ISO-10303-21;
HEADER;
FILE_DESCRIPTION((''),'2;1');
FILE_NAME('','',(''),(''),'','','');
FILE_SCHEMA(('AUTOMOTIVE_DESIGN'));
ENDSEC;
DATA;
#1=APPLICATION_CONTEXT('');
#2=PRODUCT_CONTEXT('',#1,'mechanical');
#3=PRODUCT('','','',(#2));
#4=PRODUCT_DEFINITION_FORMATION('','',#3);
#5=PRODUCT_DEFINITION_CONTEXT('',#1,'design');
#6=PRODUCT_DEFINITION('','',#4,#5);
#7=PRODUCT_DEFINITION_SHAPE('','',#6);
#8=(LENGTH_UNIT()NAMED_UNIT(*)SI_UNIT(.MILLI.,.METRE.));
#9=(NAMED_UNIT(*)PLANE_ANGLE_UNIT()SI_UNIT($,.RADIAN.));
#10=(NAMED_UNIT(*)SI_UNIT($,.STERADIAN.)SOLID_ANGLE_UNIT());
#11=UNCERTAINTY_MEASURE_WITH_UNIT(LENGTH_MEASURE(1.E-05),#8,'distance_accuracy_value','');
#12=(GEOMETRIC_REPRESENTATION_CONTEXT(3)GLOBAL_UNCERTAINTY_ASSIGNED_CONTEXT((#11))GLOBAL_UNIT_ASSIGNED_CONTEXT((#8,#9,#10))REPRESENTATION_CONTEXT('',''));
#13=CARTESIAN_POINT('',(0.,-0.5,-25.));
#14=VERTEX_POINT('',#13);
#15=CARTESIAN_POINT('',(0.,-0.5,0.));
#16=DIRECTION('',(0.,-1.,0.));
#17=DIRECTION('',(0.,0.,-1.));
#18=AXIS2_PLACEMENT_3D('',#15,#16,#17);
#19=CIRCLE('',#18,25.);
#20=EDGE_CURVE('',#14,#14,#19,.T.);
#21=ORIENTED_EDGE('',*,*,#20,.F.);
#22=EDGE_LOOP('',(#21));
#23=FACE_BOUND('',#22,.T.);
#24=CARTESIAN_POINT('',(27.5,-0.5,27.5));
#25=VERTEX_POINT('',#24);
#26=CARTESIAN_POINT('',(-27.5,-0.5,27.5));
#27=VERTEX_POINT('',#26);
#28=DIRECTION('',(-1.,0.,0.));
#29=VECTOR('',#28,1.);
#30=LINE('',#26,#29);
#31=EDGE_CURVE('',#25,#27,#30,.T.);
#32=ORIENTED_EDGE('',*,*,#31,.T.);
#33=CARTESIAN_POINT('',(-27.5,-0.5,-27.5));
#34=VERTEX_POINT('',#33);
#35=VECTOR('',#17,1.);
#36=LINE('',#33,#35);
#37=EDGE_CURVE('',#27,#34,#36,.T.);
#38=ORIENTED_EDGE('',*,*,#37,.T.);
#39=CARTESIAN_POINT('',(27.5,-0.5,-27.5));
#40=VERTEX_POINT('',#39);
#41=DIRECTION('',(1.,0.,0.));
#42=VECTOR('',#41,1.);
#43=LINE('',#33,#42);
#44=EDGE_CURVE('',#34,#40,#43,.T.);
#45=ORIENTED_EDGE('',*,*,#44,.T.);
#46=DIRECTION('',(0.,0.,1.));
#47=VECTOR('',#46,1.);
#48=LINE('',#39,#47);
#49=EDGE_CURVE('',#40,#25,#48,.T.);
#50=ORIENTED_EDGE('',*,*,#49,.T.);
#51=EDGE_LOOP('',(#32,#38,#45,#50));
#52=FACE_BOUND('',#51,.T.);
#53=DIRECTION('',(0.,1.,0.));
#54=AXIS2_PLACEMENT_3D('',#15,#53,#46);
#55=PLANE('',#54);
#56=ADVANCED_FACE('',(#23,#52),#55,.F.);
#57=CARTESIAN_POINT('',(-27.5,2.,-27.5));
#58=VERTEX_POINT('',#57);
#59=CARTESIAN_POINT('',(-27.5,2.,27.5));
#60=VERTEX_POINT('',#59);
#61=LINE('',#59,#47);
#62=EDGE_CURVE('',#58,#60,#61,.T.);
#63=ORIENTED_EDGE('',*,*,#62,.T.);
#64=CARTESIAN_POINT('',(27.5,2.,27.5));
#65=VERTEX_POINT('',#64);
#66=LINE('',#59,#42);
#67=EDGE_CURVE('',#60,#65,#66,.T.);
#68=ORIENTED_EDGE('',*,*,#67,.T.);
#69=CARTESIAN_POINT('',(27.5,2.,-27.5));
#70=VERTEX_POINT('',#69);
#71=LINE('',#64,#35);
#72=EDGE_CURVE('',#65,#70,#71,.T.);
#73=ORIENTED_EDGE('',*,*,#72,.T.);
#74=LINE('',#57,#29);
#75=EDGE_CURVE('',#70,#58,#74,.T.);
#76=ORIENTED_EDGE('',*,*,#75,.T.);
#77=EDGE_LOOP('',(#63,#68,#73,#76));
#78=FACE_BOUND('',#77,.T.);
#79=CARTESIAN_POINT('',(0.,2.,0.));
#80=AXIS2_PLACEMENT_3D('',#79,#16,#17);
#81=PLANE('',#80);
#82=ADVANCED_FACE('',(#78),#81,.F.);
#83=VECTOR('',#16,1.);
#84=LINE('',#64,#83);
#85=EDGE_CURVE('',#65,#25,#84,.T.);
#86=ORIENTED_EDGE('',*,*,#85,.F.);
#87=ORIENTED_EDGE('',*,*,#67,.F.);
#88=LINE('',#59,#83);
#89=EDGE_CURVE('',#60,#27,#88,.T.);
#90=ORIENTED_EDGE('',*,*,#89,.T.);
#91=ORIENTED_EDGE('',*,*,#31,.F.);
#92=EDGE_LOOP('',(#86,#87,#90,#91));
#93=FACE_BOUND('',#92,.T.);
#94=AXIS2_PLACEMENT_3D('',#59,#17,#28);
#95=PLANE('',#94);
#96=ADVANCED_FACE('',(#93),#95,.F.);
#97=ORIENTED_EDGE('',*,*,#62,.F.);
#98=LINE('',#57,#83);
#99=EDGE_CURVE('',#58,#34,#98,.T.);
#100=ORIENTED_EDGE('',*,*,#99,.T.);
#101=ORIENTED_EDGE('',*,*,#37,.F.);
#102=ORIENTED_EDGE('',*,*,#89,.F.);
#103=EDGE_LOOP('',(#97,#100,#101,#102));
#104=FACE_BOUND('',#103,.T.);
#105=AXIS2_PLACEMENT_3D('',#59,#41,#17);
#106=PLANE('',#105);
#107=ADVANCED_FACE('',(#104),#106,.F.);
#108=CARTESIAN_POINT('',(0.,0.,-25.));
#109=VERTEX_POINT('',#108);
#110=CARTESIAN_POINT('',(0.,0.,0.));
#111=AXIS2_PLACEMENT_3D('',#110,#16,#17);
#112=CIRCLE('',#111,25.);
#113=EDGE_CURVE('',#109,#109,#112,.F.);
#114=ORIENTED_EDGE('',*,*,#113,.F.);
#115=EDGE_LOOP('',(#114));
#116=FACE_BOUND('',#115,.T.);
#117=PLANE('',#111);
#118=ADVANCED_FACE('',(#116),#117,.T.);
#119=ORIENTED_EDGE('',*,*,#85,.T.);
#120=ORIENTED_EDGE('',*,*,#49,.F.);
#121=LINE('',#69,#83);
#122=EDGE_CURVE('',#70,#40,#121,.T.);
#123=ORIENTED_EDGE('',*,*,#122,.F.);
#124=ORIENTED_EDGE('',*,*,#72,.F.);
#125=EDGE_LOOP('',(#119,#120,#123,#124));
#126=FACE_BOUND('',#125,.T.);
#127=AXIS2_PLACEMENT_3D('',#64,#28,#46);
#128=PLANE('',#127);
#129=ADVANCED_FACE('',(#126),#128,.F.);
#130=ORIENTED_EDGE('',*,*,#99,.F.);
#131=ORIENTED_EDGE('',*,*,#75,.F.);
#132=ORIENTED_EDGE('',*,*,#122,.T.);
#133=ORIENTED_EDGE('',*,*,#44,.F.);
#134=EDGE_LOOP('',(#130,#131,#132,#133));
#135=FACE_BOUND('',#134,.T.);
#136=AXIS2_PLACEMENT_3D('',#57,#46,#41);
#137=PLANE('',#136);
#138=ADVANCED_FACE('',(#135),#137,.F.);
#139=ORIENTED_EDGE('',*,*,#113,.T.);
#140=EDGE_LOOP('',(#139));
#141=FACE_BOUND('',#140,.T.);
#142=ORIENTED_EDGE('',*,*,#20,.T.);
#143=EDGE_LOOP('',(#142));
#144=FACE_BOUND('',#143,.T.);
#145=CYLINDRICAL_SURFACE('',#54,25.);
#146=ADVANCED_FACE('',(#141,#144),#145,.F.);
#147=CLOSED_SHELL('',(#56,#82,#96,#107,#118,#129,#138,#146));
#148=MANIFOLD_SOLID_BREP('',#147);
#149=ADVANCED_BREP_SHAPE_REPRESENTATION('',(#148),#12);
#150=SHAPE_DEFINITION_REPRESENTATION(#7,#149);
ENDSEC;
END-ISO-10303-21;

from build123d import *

# Parameters (mm, degrees)
ESBO_O1_W                = 55
ESBO_O1_H                = 55
RESSALTO_EXTRUS_O1_DEPTH = 2
ESBO_O3_W                = 55
ESBO_O3_H                = 55
ESBO_O3_R                = 25
RESSALTO_EXTRUS_O3_DEPTH = 0.5


with BuildPart() as part:
    # Esboço1 → Ressalto-extrusão1 (new body)
    with BuildSketch(Plane(origin=(0, 0, 0), x_dir=(1, 0, 0), z_dir=(0, 1, 0))):
        Rectangle(ESBO_O1_W, ESBO_O1_H)
    extrude(amount=RESSALTO_EXTRUS_O1_DEPTH)

    # Esboço3 → Ressalto-extrusão3 (add)
    with BuildSketch(Plane.XZ):
        Rectangle(ESBO_O3_W, ESBO_O3_H)
        with Locations(Location((0, 0, 0), (0, 0, 270))):
            Circle(ESBO_O3_R, mode=Mode.SUBTRACT)
    extrude(amount=RESSALTO_EXTRUS_O3_DEPTH)


solid = part.part
